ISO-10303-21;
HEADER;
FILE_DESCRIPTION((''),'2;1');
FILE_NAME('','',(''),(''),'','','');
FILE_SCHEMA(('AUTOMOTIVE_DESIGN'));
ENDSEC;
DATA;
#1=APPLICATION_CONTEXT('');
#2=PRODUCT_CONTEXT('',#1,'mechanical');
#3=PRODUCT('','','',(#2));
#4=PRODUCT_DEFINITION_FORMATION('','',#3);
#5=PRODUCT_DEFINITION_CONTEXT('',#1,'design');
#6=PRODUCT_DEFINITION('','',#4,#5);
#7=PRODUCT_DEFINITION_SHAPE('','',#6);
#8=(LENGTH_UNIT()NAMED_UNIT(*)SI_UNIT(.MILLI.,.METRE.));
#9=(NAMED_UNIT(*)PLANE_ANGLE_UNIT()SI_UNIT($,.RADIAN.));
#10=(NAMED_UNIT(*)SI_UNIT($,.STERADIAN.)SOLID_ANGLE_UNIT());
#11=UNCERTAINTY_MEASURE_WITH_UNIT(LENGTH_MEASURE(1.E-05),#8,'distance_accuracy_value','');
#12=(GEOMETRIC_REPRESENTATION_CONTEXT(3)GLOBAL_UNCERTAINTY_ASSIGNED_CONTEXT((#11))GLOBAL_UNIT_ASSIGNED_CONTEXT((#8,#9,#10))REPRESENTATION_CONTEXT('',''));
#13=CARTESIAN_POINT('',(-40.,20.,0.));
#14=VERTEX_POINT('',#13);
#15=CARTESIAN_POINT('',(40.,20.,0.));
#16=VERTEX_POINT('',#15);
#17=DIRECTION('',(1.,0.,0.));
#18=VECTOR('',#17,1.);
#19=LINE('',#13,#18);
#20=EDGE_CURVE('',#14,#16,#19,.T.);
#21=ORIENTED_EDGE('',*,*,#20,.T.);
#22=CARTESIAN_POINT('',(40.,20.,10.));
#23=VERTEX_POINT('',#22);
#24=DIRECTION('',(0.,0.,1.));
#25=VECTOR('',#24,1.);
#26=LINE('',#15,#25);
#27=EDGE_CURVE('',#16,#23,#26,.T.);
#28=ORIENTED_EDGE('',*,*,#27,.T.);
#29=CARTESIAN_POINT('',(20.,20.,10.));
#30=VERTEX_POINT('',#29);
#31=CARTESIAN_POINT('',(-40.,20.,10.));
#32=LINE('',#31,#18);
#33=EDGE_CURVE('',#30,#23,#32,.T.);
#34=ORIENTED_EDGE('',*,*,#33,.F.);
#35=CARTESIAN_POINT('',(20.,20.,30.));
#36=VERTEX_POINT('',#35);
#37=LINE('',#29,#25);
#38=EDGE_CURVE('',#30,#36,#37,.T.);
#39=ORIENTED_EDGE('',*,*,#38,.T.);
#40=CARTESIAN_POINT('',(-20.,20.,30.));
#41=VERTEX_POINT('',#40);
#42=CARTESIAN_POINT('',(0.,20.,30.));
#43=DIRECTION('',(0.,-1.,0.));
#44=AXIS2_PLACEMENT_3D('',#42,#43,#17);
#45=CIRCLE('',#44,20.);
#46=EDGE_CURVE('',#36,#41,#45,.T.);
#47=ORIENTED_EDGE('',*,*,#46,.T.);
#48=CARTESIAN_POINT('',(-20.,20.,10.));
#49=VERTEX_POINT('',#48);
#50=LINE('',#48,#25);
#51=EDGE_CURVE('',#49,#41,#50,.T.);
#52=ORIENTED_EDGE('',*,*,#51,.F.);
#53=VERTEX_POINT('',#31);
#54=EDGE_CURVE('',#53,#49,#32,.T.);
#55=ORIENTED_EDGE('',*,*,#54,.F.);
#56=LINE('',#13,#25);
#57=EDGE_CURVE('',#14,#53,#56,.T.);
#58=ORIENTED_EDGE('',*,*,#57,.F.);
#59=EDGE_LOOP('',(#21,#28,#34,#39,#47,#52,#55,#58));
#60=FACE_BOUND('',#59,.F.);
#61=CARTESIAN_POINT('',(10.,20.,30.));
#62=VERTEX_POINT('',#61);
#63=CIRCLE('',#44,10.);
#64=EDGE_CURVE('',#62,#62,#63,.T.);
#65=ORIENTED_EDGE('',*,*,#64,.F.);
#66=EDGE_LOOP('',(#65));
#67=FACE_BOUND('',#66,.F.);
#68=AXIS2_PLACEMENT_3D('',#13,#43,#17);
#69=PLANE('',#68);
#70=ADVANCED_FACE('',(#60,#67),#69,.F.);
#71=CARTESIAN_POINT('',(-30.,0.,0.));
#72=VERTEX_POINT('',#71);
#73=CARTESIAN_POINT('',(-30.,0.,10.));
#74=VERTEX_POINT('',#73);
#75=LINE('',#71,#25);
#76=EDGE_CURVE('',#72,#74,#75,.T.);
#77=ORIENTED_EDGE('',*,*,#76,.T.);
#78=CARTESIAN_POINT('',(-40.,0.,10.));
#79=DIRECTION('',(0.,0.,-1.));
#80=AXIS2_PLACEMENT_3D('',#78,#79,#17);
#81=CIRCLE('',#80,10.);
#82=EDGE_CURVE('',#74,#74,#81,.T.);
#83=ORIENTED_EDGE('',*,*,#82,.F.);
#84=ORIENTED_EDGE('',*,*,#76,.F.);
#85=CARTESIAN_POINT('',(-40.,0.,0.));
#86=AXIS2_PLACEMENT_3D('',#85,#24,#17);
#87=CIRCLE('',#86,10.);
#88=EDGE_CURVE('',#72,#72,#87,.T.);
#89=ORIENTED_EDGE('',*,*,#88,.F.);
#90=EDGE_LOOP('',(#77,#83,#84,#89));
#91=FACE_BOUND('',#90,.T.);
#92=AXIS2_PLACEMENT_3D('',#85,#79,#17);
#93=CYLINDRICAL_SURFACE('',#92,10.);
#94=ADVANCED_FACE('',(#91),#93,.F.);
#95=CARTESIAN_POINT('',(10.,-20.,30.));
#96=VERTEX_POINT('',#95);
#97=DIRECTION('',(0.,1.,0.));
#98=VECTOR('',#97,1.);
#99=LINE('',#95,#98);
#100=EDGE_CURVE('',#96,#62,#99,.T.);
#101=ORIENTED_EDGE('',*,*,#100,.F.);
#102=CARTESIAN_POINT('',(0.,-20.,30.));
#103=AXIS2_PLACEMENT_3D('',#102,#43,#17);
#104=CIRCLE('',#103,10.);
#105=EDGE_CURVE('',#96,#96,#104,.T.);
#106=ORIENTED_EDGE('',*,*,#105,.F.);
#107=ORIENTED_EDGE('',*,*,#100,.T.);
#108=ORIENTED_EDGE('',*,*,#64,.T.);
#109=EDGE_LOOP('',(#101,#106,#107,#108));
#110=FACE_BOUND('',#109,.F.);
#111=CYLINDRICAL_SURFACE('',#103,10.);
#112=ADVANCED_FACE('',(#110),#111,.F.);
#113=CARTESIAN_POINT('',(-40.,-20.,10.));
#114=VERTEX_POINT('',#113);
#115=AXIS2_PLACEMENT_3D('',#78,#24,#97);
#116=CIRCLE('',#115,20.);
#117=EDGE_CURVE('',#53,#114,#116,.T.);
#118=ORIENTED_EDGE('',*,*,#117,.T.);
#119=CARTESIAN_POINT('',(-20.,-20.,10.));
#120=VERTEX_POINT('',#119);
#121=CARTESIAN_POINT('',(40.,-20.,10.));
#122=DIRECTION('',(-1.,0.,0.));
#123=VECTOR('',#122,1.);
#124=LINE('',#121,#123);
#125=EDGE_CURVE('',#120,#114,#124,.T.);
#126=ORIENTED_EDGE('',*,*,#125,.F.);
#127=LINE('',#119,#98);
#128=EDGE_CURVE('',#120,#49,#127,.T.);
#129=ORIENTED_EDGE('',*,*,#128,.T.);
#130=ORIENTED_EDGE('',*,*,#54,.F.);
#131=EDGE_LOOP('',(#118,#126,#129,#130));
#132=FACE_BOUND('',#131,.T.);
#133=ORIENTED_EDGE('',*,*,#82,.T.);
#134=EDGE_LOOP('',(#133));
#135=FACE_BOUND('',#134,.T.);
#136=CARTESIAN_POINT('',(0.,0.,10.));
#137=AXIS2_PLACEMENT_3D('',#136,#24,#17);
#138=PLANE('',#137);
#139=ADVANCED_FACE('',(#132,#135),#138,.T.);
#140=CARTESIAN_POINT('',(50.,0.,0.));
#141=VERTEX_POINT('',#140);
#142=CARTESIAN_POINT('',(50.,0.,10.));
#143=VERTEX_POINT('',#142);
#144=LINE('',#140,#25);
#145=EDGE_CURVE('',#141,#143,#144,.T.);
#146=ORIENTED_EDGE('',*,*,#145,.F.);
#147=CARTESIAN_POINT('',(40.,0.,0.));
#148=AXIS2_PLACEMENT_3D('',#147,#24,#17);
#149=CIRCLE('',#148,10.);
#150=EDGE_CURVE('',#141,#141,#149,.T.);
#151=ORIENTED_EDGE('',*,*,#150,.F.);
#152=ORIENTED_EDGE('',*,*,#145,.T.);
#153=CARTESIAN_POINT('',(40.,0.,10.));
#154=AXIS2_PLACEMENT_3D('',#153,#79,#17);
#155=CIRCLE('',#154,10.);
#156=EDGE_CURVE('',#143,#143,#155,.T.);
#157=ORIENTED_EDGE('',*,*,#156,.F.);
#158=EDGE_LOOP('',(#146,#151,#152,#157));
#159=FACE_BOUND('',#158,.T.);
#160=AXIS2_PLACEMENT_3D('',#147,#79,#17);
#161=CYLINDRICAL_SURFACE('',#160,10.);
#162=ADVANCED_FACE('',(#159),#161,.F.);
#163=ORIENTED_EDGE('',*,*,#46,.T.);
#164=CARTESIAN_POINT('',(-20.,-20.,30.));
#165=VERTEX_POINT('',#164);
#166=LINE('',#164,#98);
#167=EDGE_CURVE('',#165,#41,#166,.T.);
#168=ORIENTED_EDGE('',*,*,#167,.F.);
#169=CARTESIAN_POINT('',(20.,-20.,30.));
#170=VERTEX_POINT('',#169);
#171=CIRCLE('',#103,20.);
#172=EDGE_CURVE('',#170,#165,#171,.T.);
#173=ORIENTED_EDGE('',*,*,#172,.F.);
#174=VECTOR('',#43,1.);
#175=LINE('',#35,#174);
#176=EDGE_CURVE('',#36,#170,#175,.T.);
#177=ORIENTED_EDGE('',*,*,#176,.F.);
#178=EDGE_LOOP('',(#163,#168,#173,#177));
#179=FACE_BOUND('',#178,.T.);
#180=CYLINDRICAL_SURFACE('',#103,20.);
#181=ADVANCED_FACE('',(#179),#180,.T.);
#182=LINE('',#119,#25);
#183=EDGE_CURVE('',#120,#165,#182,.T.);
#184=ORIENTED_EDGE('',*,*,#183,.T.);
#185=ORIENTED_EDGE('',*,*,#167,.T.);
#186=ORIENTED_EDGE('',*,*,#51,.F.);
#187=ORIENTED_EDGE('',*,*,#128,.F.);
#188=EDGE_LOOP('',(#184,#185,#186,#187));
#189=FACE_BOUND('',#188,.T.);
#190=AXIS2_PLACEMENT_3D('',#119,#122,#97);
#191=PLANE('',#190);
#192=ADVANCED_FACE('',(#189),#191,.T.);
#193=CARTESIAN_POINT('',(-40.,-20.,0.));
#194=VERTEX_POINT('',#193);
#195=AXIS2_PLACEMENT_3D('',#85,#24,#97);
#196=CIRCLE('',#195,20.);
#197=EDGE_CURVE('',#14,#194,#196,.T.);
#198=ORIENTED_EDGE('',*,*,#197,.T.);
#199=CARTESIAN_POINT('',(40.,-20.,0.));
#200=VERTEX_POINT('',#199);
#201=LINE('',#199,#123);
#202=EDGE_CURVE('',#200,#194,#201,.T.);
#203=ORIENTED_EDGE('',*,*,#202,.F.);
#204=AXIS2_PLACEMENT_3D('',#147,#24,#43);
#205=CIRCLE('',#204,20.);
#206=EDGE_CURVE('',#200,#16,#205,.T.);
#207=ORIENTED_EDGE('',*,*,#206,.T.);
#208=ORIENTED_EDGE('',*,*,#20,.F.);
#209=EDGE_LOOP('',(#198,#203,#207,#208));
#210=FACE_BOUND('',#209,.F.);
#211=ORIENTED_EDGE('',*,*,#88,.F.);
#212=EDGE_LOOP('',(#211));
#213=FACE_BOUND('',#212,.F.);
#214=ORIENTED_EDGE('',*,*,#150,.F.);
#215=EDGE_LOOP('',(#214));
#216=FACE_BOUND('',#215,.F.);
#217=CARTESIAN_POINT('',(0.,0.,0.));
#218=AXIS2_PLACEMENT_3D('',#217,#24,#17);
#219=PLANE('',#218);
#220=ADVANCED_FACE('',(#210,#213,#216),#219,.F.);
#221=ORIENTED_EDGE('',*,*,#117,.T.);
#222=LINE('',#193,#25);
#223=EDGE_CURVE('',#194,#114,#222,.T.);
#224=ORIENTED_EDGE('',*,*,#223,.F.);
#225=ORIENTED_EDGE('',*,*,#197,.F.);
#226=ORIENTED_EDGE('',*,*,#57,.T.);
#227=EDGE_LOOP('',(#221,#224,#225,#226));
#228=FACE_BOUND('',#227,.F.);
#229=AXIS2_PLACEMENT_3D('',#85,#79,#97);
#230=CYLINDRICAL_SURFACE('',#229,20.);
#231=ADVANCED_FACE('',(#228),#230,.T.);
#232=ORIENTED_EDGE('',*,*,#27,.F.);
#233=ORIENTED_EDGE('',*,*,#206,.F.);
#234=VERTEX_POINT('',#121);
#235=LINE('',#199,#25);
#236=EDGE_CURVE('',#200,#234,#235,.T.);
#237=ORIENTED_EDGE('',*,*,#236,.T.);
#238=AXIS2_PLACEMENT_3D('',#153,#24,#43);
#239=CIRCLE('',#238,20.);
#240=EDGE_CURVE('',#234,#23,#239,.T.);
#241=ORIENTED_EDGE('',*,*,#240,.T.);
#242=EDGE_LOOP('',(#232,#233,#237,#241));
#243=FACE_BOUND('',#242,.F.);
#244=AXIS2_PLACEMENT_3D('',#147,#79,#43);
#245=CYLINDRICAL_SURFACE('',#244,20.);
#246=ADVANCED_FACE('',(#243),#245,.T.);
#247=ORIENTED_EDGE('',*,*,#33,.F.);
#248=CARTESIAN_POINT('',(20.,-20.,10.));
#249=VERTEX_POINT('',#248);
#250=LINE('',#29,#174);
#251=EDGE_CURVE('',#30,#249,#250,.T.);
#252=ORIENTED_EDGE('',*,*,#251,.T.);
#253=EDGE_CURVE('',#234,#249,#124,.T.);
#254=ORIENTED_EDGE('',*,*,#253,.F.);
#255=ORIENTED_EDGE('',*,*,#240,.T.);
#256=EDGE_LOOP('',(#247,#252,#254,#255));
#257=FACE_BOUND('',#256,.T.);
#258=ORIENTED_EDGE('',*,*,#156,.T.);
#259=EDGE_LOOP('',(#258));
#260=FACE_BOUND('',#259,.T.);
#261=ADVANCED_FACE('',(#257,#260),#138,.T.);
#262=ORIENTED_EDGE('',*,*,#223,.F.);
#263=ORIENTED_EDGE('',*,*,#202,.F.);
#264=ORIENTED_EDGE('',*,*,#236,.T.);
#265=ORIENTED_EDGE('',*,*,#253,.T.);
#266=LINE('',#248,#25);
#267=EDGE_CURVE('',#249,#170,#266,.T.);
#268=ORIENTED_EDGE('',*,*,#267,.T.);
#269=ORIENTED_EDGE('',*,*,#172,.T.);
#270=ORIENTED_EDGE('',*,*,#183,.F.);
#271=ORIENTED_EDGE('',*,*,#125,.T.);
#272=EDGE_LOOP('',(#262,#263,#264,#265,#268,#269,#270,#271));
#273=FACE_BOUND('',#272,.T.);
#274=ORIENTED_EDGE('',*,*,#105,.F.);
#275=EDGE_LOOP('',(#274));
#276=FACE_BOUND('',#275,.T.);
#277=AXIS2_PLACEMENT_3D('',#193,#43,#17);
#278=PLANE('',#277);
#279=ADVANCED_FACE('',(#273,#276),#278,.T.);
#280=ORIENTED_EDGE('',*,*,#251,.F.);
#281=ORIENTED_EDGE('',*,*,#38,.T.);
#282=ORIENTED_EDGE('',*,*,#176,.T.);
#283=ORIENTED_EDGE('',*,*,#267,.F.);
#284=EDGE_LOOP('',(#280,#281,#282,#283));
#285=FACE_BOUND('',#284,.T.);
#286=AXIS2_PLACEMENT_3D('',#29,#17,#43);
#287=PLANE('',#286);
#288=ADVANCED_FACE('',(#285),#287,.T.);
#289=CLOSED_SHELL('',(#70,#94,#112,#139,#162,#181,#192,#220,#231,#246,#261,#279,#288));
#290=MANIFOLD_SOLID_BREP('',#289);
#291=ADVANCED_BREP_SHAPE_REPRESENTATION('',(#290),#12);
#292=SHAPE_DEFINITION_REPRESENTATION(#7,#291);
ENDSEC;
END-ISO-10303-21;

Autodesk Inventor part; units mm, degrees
ref_plane "YZ Plane" through (0, 0, 0) normal (1, 0, 0) x (0, 1, 0)
ref_plane "XZ Plane" through (0, 0, 0) normal (0, 1, 0) x (-1, 0, 0)
ref_plane "XY Plane" through (0, 0, 0) normal (0, 0, 1) x (1, 0, 0)
sketch "Boceto1" plane through (0, 0, 0) normal (0, 0, 1) x (1, 0, 0)
  line L0 (40, -20) -> (-40, -20)
  line L1 (-40, -20) -> (-40, 20)
  line L2 (-40, 20) -> (40, 20)
  line L3 (40, 20) -> (40, -20)
  line L4 (40, -20) -> (-40, 20) construction
  line L5 (-40, -20) -> (40, 20) construction
  circle A0 centre (-40, 0) radius 10
  circle A1 centre (40, 0) radius 10
  arc A2 (-40, 20) -> (-40, -20) centre (-40, 0) ccw
  arc A3 (40, -20) -> (40, 20) centre (40, 0) ccw
  point P0 (0, 0)
  dimension "d0" = 80
  dimension "d1" = 40
  dimension "d2" = 20
  dimension "d3" = 20
extrude "Extrusión1" add sketch "Boceto1" along normal blind 10 contours L0 L1 A0 L2 L3 A1 | L3 A1 A3 | A2 L1 A0
sketch "Boceto2" plane through (0, 0, 10) normal (0, 0, 1) x (1, 0, 0)
  line L0 (20, -20) -> (-20, -20)
  line L1 (-20, -20) -> (-20, 20)
  line L2 (-20, 20) -> (20, 20)
  line L3 (20, 20) -> (20, -20)
  line L4 (20, -20) -> (-20, 20) construction
  line L5 (-20, -20) -> (20, 20) construction
  point P0 (0, 0)
  dimension "d6" = 40
  dimension "d7" = 40
extrude "Extrusión2" add sketch "Boceto2" along normal blind 20
sketch "Boceto4" plane through (-40, -20, 0) normal (0, -1, 0) x (1, 0, 0)
  line L0 (60, 30) -> (20, 30) projected
  arc A0 (60, 30) -> (20, 30) centre (40, 30) ccw
  point P0 (40, 0)
  point P1 (20, 70)
extrude "Extrusión4" add sketch "Boceto4" against normal blind 40
sketch "Boceto5" plane through (-40, -20, 0) normal (0, -1, 0) x (1, 0, 0)
  arc A0 (60, 30) -> (20, 30) centre (40, 30) ccw projected
  circle A1 centre (40, 30) radius 10
  point P0 (40, 0)
  dimension "d15" = 20
extrude "Extrusión5" cut sketch "Boceto5" against normal blind 40
properties part number "tarea 1"
